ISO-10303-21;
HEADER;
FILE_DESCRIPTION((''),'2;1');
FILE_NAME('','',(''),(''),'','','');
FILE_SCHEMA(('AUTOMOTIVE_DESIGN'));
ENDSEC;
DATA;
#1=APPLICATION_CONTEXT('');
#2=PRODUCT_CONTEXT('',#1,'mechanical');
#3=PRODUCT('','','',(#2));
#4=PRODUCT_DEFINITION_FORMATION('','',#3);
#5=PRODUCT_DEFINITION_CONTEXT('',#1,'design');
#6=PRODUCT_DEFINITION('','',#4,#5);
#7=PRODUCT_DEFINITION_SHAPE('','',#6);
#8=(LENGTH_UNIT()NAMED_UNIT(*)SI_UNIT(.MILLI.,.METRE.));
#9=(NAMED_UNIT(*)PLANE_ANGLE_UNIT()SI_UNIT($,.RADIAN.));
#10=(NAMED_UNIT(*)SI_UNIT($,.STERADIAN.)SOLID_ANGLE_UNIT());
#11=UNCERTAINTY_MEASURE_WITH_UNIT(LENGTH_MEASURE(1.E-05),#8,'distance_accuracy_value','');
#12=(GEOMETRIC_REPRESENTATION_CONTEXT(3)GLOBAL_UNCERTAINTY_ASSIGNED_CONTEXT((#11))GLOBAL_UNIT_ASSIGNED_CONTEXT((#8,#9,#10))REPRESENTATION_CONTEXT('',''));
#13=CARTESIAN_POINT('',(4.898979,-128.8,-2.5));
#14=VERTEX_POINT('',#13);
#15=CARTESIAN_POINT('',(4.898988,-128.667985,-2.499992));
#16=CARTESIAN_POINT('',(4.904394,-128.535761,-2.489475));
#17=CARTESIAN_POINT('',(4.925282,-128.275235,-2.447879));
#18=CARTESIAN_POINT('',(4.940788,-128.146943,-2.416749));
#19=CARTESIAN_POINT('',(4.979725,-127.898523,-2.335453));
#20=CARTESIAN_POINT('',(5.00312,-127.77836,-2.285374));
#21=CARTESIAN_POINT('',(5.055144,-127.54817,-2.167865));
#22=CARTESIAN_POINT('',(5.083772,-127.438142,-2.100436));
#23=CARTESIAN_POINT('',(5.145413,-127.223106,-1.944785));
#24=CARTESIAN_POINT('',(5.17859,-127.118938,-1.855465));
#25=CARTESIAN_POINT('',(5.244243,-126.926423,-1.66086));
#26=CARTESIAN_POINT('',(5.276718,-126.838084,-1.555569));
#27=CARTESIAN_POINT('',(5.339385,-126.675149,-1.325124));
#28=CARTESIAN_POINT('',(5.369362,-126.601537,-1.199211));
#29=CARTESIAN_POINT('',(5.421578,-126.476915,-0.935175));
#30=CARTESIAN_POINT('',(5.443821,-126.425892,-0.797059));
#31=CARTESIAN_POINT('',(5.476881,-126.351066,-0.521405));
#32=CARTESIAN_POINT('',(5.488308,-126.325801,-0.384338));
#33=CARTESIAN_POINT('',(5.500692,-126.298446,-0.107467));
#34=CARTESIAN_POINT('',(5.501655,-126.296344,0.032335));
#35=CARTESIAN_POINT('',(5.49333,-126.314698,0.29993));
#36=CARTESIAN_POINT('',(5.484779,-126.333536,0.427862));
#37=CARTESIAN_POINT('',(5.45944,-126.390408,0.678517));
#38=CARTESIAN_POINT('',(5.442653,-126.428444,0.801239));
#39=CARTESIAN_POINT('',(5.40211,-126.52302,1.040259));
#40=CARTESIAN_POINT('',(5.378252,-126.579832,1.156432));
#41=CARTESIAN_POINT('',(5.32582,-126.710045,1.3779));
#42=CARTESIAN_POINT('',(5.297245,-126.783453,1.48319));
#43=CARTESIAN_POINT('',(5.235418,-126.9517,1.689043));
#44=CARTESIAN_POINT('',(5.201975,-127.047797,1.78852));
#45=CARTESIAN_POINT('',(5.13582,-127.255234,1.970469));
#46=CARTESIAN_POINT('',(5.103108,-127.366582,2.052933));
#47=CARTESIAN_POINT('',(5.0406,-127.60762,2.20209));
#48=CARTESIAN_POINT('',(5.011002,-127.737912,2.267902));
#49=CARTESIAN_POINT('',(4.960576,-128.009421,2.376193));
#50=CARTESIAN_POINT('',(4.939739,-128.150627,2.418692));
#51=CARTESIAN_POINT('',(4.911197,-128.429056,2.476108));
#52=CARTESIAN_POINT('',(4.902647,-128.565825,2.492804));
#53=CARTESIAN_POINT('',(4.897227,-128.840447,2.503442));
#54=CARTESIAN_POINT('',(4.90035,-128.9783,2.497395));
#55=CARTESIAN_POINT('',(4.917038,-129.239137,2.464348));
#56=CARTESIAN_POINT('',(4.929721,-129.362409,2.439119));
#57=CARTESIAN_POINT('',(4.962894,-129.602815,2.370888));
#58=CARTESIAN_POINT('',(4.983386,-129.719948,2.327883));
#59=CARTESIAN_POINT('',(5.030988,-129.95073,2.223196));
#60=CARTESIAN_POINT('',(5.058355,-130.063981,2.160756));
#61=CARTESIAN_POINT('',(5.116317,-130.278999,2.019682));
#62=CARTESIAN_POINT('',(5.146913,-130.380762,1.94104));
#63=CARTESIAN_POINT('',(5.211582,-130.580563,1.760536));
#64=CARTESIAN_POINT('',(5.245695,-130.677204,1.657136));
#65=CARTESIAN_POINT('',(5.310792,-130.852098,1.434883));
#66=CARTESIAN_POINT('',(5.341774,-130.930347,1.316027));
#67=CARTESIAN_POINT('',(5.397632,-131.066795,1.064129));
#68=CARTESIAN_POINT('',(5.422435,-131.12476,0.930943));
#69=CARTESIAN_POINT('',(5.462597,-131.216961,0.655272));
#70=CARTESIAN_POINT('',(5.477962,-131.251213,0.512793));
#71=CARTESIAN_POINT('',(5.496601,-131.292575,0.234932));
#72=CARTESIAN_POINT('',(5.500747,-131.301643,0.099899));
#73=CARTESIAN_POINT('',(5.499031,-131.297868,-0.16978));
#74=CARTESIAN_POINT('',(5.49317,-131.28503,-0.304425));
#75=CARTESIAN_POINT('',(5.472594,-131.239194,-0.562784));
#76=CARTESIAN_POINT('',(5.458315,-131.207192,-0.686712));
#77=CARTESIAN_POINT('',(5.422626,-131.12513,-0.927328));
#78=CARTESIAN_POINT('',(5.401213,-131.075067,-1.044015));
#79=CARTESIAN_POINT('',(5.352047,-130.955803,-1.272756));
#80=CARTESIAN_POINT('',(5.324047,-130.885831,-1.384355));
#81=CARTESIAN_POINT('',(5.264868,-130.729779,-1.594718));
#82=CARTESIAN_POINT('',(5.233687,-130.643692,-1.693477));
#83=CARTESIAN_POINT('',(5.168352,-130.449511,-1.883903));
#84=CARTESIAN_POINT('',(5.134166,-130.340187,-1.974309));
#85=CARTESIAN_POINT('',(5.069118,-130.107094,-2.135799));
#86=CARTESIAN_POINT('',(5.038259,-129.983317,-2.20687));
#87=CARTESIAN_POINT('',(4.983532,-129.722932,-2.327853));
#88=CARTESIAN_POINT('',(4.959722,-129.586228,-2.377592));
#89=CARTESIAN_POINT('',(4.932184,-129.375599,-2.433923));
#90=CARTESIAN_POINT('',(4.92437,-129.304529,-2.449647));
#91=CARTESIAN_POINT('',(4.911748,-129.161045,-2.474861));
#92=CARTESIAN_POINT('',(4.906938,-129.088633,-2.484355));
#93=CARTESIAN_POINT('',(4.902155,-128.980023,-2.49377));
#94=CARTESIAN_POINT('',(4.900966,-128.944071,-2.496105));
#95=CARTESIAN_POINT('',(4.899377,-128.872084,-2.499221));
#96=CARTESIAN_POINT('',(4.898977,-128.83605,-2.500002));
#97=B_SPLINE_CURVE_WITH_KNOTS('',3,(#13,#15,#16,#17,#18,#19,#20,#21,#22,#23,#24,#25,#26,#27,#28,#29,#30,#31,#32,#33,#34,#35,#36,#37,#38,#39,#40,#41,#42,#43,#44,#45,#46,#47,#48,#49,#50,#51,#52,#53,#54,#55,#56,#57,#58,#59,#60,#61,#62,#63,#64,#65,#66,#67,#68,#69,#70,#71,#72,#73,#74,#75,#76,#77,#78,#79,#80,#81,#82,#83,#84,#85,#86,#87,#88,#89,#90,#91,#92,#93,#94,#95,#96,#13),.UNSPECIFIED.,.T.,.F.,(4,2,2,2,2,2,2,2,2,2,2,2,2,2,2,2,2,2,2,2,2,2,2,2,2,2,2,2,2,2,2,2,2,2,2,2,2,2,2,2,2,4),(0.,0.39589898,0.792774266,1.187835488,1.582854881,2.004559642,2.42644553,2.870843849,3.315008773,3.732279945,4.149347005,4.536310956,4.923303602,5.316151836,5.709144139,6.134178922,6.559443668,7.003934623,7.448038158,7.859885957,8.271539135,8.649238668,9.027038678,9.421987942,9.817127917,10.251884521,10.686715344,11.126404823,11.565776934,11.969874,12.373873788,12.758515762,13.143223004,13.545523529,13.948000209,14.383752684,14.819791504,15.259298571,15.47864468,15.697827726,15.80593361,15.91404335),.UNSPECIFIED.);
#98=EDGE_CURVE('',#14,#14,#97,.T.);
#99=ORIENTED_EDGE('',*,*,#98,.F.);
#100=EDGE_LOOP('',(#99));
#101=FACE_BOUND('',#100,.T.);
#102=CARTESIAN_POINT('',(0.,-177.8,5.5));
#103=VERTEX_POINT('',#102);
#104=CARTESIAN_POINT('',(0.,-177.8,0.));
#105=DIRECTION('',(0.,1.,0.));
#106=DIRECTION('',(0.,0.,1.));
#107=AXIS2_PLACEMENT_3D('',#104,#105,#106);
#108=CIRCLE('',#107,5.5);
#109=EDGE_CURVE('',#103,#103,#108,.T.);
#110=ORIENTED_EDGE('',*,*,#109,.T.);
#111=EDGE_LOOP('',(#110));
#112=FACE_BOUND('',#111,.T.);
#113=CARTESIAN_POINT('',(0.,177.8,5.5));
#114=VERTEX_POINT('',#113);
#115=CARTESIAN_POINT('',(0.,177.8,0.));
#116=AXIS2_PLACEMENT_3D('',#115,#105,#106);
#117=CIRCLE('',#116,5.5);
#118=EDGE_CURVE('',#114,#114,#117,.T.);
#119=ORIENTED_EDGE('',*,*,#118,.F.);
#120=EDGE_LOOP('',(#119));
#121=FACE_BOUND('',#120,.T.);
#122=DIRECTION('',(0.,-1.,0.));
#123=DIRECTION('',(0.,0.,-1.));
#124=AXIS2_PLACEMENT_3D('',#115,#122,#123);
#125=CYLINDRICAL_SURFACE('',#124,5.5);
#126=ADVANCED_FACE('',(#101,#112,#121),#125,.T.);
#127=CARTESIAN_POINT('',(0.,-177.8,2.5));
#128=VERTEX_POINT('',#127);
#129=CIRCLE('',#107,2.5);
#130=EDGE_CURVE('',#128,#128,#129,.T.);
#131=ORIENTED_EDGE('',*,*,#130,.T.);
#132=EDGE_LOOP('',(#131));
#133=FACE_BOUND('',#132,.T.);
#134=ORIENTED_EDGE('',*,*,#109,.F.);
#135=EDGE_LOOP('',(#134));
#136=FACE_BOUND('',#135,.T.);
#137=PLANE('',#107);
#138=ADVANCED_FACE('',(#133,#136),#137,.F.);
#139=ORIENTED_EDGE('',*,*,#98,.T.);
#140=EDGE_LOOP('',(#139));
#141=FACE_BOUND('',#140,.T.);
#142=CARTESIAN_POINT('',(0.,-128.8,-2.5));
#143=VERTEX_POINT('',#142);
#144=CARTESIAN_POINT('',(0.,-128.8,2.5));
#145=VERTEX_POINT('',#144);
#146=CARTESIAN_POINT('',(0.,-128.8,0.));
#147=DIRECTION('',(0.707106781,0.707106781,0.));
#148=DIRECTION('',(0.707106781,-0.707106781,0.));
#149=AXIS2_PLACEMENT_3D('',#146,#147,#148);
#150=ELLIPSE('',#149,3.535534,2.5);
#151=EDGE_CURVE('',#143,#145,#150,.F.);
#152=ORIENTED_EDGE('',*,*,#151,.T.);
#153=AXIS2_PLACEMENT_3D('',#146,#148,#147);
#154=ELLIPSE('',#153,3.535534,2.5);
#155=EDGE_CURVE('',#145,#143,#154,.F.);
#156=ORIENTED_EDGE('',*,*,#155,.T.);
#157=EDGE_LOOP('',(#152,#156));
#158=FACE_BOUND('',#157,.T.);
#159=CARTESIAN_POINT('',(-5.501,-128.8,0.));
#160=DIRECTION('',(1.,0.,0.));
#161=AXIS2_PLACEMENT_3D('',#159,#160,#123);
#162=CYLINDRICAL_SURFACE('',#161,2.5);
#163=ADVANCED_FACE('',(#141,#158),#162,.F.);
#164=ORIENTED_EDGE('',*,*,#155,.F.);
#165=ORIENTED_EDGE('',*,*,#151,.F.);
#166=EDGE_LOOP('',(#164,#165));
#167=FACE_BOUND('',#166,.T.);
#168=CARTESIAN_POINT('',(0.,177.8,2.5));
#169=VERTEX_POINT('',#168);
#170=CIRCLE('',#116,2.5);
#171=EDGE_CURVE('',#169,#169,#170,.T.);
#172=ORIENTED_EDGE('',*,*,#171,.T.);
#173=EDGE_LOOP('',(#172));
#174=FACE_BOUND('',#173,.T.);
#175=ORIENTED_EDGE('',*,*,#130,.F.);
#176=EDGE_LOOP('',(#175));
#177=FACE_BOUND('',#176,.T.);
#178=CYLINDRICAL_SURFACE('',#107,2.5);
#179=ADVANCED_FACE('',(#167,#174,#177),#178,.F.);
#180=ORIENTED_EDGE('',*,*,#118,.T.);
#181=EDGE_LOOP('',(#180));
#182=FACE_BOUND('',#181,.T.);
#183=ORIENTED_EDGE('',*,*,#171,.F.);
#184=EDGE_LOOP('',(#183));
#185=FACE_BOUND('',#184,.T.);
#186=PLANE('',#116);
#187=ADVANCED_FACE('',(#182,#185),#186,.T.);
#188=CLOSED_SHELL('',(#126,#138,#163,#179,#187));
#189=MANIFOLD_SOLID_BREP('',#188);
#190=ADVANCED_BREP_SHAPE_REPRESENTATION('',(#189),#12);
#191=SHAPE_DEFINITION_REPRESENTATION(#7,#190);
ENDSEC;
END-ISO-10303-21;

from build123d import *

# Parameters (mm, degrees)
SKETCH1_R               = 5.5
BOSS_EXTRUDE2_DEPTH     = 177.8
SKETCH4_R               = 2.5
CUT_EXTRUDE1_DEPTH      = 356.685057319
CUT_EXTRUDE3_REACH      = 180.559
CUT_EXTRUDE3_END_RADIUS = 2.5
SKETCH7_R               = 2.5


with BuildPart() as part:
    # Sketch1 → Boss-Extrude2 (new, symmetric)
    with BuildSketch(Plane(origin=(0, 0, 0), x_dir=(1, 0, 0), z_dir=(0, 1, 0))):
        with Locations(Location((0, 0, 0), (0, 0, 270))):
            Circle(SKETCH1_R)
    extrude(amount=BOSS_EXTRUDE2_DEPTH, both=True)

    # Sketch4 → Cut-Extrude1 (cut, through all)
    with BuildSketch(Plane(origin=(0, 177.8, 0), x_dir=(1, 0, 0), z_dir=(0, 1, 0))):
        with Locations(Location((0, 0, 0), (0, 0, 270))):
            Circle(SKETCH4_R)
    extrude(amount=-CUT_EXTRUDE1_DEPTH, mode=Mode.SUBTRACT)

    # Cut-Extrude3: up to this cylinder (the profile starts outside it)
    cut_extrude3_end = Plane(origin=(0, -128.8, 0), z_dir=(0, 1, 0)) * Cylinder(CUT_EXTRUDE3_END_RADIUS, 367.118, mode=Mode.PRIVATE)
    # Sketch7 → Cut-Extrude3 (cut, up to the surface)
    with BuildSketch(Plane(origin=(10, 0, 0), x_dir=(0, 0, -1), z_dir=(1, 0, 0)), mode=Mode.PRIVATE) as cut_extrude3_sk1:
        with Locations((0, -128.8)):
            Circle(SKETCH7_R)
    cut_extrude3_tool1 = extrude(cut_extrude3_sk1.sketch, amount=-CUT_EXTRUDE3_REACH, mode=Mode.PRIVATE) - cut_extrude3_end
    add(cut_extrude3_tool1.solids().sort_by_distance((10, -128.8, 0))[0], mode=Mode.SUBTRACT)


solid = part.part
